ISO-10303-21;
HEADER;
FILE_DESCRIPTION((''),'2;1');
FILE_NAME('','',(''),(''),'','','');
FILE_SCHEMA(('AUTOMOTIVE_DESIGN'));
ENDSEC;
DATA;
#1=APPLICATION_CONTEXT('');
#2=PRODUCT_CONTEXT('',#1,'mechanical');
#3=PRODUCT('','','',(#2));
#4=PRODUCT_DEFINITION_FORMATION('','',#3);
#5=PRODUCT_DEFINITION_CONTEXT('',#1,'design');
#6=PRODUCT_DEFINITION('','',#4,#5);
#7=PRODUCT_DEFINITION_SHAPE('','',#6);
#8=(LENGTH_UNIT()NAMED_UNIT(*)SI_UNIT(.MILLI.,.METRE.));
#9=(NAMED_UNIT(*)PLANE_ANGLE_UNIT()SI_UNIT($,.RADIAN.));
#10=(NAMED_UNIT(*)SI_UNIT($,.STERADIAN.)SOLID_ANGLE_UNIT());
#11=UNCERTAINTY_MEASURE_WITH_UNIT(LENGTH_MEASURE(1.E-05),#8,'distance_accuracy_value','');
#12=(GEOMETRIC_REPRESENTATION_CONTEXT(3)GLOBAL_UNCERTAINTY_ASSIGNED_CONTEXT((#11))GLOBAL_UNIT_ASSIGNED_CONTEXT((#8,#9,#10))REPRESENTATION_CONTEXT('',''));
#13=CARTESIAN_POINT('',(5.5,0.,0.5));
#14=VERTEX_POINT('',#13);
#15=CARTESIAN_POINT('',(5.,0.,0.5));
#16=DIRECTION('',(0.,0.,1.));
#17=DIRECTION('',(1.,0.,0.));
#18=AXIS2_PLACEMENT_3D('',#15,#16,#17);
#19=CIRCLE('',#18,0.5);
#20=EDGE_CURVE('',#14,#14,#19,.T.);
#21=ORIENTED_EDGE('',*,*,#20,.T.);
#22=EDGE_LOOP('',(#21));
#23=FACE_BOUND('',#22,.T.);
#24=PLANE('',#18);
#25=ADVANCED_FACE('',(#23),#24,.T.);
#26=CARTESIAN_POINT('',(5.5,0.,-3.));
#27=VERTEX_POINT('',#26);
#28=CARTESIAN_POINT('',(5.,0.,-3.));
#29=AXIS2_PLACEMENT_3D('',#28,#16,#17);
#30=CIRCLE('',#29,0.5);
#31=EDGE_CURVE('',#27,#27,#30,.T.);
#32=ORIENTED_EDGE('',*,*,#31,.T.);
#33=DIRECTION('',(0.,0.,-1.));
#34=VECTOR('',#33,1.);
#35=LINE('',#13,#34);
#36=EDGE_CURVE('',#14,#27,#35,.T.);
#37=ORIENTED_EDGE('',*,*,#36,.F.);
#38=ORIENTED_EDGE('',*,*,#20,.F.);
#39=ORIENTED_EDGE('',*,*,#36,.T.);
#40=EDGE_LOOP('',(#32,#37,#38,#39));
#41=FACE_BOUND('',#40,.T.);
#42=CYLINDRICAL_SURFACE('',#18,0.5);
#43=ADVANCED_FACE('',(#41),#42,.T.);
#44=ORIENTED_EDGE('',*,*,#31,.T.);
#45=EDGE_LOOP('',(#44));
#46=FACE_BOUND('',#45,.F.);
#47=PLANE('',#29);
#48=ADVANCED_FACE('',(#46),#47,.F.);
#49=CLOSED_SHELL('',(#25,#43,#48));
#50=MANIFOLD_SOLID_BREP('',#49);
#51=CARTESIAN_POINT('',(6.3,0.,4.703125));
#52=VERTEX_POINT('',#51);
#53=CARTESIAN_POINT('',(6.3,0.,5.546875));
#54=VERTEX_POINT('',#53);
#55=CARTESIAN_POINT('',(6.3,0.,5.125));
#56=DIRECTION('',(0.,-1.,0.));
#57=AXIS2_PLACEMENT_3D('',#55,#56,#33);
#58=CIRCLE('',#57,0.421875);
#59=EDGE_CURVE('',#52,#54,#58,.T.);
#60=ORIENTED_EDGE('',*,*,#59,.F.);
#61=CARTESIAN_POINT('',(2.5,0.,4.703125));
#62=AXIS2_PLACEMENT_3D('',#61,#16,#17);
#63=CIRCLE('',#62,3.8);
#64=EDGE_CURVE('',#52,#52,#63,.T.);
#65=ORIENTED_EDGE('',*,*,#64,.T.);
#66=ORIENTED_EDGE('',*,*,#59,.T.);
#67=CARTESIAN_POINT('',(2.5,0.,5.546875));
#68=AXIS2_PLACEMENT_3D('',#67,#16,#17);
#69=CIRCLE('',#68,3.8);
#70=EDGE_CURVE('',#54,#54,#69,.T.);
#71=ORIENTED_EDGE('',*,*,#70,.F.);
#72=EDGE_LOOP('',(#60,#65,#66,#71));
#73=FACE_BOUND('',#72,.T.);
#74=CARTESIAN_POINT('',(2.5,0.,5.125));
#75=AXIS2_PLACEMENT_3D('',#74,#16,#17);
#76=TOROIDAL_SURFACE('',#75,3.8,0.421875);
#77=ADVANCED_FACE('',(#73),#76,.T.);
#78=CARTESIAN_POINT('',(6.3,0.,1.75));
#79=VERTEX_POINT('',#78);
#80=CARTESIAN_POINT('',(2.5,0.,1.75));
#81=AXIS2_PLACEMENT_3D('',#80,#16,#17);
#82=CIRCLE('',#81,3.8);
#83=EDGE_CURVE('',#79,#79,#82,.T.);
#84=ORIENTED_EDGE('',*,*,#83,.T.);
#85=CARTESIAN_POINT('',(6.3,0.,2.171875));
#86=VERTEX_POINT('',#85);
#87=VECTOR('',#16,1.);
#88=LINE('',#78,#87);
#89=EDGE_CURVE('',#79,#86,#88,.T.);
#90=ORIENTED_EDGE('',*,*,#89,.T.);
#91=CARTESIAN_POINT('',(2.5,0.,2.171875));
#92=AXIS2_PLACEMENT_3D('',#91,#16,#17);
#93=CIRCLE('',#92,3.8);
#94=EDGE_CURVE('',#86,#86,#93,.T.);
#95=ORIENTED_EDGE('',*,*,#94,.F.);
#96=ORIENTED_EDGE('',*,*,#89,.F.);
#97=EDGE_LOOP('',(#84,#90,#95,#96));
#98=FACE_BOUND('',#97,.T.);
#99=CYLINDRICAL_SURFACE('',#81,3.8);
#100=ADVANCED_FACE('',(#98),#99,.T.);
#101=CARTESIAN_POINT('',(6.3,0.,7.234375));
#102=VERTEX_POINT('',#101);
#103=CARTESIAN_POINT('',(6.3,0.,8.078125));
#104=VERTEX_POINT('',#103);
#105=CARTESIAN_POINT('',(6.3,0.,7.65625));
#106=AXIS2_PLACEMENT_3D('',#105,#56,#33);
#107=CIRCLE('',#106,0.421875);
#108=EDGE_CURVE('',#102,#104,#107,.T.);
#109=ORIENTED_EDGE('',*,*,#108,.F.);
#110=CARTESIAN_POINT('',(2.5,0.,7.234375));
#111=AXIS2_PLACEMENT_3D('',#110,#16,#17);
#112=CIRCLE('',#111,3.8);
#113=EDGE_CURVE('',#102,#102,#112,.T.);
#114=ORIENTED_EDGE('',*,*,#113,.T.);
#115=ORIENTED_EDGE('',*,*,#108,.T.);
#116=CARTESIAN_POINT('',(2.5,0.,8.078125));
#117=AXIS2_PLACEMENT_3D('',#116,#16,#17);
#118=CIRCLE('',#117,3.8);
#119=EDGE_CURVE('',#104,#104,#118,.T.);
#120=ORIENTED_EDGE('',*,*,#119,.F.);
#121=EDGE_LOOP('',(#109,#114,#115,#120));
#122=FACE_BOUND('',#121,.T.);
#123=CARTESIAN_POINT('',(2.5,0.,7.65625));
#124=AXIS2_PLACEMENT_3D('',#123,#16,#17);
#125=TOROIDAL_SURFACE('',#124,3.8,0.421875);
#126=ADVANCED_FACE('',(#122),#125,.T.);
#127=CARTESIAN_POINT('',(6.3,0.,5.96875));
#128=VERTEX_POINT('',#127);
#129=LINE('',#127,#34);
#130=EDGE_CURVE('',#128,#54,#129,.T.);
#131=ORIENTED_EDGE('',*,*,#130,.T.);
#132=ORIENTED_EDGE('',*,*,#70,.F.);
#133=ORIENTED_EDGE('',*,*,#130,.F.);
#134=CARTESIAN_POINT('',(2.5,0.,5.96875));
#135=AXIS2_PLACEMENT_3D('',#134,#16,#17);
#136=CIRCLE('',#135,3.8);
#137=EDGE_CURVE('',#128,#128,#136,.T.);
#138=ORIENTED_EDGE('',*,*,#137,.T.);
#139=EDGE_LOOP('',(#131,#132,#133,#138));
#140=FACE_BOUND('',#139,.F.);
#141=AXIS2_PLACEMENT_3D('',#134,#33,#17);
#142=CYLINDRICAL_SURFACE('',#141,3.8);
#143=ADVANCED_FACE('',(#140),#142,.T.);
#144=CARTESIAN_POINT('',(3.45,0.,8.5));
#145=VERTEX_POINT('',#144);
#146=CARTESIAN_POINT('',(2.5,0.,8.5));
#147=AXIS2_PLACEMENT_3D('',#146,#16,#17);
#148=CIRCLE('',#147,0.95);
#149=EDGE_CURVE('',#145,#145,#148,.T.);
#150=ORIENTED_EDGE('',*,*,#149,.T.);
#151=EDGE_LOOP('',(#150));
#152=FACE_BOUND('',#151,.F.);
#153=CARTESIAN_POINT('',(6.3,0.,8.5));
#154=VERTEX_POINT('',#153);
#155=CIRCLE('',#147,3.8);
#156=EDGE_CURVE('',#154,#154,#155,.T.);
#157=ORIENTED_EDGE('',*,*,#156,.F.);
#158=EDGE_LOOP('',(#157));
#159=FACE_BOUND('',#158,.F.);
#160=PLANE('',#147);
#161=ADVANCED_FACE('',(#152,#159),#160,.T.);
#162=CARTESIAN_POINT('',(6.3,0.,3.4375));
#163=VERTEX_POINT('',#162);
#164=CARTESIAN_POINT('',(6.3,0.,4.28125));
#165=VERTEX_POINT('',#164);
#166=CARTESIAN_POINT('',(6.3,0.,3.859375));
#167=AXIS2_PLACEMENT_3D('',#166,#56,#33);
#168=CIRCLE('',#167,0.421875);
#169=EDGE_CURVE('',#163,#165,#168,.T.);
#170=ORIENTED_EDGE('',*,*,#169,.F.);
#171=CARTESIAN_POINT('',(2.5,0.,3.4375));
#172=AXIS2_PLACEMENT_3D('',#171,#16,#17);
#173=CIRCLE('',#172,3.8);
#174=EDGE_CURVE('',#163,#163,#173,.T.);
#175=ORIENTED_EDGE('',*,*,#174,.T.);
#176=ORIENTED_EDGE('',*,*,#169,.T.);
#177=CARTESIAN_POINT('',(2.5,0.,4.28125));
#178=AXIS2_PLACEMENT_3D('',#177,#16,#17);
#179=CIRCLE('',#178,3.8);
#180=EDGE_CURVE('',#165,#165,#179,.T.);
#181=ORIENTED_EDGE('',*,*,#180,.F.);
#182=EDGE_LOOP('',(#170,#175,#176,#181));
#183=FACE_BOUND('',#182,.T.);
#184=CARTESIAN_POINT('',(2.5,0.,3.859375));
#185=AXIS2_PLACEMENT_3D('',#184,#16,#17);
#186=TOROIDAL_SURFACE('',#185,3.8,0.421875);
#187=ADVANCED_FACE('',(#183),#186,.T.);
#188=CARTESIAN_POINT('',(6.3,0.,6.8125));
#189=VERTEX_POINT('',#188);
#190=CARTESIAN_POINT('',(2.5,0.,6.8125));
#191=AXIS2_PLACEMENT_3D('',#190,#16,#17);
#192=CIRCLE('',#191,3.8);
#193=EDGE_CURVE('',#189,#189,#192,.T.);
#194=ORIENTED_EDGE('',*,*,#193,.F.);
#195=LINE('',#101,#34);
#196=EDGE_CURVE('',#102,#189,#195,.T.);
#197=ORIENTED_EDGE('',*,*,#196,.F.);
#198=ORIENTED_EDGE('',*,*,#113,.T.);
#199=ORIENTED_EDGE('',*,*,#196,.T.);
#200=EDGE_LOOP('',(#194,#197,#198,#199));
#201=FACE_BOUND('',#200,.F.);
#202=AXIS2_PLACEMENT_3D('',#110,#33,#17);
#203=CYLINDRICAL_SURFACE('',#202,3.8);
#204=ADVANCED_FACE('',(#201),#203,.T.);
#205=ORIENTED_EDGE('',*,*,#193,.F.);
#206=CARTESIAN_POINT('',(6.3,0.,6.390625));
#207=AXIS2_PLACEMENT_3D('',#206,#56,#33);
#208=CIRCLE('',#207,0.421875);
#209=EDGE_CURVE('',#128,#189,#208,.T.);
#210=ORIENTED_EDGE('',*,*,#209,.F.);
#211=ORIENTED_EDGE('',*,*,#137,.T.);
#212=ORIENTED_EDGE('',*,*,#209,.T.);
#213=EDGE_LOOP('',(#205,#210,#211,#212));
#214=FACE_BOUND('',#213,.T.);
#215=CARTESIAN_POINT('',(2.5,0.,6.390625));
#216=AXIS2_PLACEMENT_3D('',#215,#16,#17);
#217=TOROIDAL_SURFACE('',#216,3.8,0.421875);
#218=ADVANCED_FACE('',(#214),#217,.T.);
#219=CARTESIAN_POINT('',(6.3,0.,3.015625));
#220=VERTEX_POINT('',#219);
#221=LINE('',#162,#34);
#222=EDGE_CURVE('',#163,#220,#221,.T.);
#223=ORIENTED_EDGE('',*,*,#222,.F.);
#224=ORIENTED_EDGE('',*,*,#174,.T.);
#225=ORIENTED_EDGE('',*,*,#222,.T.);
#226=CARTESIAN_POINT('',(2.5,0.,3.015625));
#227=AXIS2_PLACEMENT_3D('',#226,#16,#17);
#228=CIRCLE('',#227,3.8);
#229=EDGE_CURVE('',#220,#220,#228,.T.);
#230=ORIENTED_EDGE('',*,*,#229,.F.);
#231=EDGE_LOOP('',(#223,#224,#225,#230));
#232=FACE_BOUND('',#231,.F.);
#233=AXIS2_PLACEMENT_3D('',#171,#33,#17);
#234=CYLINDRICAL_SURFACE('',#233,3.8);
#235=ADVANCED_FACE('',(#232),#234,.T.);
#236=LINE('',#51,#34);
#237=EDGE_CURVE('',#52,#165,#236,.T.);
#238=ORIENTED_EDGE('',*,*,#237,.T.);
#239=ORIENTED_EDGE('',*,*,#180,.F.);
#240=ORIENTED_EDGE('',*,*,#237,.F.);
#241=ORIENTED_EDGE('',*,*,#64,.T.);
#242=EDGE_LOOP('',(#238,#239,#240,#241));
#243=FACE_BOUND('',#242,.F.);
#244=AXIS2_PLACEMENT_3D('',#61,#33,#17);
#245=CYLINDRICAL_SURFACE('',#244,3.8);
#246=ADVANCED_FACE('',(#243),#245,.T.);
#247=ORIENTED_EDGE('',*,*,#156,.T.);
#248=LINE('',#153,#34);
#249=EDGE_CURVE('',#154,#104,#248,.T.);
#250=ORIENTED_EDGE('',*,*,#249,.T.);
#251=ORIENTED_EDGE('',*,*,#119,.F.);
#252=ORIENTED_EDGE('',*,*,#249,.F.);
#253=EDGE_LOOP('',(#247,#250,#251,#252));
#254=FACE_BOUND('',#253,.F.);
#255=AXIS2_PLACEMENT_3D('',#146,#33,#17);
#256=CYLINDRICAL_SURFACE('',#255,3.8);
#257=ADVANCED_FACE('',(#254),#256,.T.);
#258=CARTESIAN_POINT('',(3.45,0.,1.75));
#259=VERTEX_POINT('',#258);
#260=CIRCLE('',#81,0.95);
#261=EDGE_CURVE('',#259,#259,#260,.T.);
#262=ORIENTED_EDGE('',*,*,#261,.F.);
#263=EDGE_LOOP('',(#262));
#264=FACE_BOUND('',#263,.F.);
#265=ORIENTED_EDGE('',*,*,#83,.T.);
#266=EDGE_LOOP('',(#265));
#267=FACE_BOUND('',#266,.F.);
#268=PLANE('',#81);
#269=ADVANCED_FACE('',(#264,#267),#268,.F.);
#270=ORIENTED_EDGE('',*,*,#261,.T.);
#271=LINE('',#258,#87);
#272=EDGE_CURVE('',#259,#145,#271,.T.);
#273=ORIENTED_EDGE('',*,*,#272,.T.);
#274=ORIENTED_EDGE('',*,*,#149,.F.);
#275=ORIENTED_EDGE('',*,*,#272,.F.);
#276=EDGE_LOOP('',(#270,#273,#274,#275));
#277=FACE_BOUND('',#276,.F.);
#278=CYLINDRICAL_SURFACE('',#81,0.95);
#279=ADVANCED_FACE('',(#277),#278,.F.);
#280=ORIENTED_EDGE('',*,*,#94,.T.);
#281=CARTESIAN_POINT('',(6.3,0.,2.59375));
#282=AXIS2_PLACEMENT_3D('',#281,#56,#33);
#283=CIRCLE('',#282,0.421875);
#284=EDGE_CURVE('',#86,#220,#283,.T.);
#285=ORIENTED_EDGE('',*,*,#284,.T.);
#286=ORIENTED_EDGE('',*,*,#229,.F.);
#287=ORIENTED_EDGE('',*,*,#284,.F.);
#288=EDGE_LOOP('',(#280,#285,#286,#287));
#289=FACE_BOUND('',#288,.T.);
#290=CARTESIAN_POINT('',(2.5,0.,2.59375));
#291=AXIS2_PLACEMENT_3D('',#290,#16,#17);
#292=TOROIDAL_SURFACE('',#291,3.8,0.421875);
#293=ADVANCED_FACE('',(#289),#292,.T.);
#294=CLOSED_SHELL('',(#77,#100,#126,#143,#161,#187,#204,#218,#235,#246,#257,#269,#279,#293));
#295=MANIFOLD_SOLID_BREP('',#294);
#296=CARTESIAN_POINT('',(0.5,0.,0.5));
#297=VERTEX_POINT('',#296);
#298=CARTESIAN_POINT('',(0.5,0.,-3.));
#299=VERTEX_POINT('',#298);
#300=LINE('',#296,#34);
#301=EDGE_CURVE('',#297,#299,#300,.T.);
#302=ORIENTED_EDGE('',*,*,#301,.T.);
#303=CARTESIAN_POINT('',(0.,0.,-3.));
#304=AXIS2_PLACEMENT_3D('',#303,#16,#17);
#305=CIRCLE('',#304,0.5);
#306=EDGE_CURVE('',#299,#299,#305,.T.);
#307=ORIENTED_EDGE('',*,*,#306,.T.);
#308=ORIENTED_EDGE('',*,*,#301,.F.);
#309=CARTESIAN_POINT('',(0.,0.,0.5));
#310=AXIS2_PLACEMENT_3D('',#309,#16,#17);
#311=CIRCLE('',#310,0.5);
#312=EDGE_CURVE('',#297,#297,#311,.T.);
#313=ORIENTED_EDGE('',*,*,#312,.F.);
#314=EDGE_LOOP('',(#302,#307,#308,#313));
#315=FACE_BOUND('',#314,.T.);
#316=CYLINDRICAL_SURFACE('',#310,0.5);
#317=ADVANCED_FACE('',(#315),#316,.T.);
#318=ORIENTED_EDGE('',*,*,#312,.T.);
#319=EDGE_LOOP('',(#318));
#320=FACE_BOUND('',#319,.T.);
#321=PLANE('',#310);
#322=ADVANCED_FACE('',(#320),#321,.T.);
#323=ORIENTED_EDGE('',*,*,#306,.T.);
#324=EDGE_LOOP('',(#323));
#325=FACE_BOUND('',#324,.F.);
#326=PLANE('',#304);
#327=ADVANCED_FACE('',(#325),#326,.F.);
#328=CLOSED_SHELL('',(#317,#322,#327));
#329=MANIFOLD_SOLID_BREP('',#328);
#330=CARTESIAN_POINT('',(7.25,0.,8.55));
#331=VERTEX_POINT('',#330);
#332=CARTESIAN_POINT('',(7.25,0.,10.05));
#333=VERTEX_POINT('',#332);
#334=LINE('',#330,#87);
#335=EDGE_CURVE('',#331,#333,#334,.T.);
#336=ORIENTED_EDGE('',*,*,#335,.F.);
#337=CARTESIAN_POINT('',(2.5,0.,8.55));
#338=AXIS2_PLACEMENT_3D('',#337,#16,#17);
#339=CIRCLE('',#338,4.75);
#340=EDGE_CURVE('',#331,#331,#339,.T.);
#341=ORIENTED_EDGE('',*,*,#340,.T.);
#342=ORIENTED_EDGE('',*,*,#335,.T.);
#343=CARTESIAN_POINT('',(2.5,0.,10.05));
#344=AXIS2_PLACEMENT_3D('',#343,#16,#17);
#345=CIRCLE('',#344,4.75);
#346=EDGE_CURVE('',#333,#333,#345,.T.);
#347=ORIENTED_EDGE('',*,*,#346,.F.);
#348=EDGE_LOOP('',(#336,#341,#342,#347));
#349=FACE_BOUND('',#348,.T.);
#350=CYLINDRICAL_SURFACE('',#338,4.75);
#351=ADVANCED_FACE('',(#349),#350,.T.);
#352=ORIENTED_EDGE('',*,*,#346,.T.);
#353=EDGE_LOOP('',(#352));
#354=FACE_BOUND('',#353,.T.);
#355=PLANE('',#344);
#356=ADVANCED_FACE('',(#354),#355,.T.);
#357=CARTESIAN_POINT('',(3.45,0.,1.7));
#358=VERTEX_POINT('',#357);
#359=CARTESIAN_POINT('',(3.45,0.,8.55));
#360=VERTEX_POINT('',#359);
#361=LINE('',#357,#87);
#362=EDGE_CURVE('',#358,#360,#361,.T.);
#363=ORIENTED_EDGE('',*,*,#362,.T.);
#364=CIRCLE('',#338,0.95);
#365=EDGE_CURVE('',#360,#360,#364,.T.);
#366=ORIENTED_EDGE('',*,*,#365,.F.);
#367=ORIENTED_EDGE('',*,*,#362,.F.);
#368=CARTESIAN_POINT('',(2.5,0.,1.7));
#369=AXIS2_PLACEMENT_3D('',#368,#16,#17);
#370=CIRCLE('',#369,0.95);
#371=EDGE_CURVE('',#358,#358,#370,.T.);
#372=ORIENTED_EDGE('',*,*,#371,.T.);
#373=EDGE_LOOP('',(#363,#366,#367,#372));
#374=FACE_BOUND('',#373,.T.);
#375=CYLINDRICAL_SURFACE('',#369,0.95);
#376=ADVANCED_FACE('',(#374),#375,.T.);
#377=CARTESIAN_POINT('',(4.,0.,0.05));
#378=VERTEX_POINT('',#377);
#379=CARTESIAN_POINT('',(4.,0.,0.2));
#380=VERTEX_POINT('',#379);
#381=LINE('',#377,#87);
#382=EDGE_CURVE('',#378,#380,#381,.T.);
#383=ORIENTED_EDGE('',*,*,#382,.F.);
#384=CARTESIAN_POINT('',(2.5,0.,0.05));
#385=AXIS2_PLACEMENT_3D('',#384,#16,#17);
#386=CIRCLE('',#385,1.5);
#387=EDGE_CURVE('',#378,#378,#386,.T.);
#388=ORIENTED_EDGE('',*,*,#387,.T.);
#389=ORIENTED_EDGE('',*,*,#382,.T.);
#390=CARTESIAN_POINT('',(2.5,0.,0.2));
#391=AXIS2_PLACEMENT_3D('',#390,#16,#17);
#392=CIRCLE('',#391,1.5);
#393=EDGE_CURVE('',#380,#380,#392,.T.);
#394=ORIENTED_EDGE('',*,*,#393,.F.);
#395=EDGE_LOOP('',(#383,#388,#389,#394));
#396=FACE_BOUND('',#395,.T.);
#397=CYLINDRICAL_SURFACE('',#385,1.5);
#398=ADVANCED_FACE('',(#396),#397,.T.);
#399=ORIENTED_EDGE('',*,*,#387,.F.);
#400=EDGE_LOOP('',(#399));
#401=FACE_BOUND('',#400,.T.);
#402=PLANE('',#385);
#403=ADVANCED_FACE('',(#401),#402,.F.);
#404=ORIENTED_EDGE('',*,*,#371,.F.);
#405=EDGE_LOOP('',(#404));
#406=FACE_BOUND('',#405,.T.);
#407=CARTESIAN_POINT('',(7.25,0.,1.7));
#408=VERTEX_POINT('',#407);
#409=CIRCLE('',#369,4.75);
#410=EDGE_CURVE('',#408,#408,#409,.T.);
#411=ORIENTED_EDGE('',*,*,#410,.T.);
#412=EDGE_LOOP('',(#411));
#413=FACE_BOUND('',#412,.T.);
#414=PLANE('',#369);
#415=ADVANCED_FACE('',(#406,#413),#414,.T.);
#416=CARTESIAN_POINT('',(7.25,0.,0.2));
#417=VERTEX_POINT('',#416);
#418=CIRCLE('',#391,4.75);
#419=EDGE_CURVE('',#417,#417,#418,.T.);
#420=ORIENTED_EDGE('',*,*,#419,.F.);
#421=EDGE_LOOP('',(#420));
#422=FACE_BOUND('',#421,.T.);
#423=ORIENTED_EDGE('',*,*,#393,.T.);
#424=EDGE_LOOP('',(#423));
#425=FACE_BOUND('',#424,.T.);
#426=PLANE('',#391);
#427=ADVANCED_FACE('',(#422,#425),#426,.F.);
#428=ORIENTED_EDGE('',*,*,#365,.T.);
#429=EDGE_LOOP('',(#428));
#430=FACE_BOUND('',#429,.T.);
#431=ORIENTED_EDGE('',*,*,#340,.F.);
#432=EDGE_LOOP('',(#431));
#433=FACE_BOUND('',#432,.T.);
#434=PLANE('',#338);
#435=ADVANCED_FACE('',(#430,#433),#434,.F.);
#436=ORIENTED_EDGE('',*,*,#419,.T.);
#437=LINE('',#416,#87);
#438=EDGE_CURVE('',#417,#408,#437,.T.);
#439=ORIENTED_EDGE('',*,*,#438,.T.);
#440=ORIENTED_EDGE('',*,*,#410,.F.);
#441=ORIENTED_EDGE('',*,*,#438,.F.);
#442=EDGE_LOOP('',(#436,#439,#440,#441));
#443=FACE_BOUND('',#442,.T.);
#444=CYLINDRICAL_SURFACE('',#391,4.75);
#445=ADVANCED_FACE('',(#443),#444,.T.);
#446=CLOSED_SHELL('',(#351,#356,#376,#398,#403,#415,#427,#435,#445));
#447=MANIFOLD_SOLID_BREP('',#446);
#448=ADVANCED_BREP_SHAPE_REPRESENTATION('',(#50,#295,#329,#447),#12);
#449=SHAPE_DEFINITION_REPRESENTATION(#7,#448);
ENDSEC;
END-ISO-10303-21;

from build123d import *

# Parameters (mm, degrees)
SKETCH001_R  = 0.5
PAD001_DEPTH = 3.5


with BuildPart() as pad001:
    # Sketch001 → Pad001 (new body)
    with BuildSketch(Plane.XY.offset(0.5)):
        Circle(SKETCH001_R)
        with Locations((5, 0)):
            Circle(SKETCH001_R)
    extrude(amount=-PAD001_DEPTH)


with BuildPart() as revolution:
    # Sketch → Revolution (revolve)
    with BuildSketch(Plane(origin=(2.5, 0, 0), x_dir=(1, 0, 0), z_dir=(0, -1, 0))):
        Polygon((0, 0.05), (1.5, 0.05), (1.5, 0.2), (4.75, 0.2), (4.75, 1.7), (0.95, 1.7), (0.95, 8.55), (4.75, 8.55), (4.75, 10.05), (0, 10.05), align=None)
    revolve(axis=Axis((2.5, 0, 0), (0, 0, 1)))


with BuildPart() as revolution001:
    # Sketch002 → Revolution001 (revolve)
    with BuildSketch(Plane(origin=(2.5, 0, 0), x_dir=(1, 0, 0), z_dir=(0, -1, 0))):
        with BuildLine():
            Line((3.8, 1.75), (0.95, 1.75))
            Line((0.95, 1.75), (0.95, 8.5))
            Line((0.95, 8.5), (3.8, 8.5))
            Line((3.8, 8.5), (3.8, 8.078125))
            ThreePointArc((3.8, 7.234375), (4.221875, 7.65625), (3.8, 8.078125))
            Line((3.8, 7.234375), (3.8, 6.8125))
            ThreePointArc((3.8, 5.96875), (4.221875, 6.390625), (3.8, 6.8125))
            Line((3.8, 5.96875), (3.8, 5.546875))
            ThreePointArc((3.8, 4.703125), (4.221875, 5.125), (3.8, 5.546875))
            Line((3.8, 4.703125), (3.8, 4.28125))
            ThreePointArc((3.8, 3.4375), (4.221875, 3.859375), (3.8, 4.28125))
            Line((3.8, 3.4375), (3.8, 3.015625))
            ThreePointArc((3.8, 2.171875), (4.221875, 2.59375), (3.8, 3.015625))
            Line((3.8, 1.75), (3.8, 2.171875))
        make_face()
    revolve(axis=Axis((2.5, 0, 0), (0, 0, 1)))


solid = Compound([pad001.part, revolution.part, revolution001.part])
